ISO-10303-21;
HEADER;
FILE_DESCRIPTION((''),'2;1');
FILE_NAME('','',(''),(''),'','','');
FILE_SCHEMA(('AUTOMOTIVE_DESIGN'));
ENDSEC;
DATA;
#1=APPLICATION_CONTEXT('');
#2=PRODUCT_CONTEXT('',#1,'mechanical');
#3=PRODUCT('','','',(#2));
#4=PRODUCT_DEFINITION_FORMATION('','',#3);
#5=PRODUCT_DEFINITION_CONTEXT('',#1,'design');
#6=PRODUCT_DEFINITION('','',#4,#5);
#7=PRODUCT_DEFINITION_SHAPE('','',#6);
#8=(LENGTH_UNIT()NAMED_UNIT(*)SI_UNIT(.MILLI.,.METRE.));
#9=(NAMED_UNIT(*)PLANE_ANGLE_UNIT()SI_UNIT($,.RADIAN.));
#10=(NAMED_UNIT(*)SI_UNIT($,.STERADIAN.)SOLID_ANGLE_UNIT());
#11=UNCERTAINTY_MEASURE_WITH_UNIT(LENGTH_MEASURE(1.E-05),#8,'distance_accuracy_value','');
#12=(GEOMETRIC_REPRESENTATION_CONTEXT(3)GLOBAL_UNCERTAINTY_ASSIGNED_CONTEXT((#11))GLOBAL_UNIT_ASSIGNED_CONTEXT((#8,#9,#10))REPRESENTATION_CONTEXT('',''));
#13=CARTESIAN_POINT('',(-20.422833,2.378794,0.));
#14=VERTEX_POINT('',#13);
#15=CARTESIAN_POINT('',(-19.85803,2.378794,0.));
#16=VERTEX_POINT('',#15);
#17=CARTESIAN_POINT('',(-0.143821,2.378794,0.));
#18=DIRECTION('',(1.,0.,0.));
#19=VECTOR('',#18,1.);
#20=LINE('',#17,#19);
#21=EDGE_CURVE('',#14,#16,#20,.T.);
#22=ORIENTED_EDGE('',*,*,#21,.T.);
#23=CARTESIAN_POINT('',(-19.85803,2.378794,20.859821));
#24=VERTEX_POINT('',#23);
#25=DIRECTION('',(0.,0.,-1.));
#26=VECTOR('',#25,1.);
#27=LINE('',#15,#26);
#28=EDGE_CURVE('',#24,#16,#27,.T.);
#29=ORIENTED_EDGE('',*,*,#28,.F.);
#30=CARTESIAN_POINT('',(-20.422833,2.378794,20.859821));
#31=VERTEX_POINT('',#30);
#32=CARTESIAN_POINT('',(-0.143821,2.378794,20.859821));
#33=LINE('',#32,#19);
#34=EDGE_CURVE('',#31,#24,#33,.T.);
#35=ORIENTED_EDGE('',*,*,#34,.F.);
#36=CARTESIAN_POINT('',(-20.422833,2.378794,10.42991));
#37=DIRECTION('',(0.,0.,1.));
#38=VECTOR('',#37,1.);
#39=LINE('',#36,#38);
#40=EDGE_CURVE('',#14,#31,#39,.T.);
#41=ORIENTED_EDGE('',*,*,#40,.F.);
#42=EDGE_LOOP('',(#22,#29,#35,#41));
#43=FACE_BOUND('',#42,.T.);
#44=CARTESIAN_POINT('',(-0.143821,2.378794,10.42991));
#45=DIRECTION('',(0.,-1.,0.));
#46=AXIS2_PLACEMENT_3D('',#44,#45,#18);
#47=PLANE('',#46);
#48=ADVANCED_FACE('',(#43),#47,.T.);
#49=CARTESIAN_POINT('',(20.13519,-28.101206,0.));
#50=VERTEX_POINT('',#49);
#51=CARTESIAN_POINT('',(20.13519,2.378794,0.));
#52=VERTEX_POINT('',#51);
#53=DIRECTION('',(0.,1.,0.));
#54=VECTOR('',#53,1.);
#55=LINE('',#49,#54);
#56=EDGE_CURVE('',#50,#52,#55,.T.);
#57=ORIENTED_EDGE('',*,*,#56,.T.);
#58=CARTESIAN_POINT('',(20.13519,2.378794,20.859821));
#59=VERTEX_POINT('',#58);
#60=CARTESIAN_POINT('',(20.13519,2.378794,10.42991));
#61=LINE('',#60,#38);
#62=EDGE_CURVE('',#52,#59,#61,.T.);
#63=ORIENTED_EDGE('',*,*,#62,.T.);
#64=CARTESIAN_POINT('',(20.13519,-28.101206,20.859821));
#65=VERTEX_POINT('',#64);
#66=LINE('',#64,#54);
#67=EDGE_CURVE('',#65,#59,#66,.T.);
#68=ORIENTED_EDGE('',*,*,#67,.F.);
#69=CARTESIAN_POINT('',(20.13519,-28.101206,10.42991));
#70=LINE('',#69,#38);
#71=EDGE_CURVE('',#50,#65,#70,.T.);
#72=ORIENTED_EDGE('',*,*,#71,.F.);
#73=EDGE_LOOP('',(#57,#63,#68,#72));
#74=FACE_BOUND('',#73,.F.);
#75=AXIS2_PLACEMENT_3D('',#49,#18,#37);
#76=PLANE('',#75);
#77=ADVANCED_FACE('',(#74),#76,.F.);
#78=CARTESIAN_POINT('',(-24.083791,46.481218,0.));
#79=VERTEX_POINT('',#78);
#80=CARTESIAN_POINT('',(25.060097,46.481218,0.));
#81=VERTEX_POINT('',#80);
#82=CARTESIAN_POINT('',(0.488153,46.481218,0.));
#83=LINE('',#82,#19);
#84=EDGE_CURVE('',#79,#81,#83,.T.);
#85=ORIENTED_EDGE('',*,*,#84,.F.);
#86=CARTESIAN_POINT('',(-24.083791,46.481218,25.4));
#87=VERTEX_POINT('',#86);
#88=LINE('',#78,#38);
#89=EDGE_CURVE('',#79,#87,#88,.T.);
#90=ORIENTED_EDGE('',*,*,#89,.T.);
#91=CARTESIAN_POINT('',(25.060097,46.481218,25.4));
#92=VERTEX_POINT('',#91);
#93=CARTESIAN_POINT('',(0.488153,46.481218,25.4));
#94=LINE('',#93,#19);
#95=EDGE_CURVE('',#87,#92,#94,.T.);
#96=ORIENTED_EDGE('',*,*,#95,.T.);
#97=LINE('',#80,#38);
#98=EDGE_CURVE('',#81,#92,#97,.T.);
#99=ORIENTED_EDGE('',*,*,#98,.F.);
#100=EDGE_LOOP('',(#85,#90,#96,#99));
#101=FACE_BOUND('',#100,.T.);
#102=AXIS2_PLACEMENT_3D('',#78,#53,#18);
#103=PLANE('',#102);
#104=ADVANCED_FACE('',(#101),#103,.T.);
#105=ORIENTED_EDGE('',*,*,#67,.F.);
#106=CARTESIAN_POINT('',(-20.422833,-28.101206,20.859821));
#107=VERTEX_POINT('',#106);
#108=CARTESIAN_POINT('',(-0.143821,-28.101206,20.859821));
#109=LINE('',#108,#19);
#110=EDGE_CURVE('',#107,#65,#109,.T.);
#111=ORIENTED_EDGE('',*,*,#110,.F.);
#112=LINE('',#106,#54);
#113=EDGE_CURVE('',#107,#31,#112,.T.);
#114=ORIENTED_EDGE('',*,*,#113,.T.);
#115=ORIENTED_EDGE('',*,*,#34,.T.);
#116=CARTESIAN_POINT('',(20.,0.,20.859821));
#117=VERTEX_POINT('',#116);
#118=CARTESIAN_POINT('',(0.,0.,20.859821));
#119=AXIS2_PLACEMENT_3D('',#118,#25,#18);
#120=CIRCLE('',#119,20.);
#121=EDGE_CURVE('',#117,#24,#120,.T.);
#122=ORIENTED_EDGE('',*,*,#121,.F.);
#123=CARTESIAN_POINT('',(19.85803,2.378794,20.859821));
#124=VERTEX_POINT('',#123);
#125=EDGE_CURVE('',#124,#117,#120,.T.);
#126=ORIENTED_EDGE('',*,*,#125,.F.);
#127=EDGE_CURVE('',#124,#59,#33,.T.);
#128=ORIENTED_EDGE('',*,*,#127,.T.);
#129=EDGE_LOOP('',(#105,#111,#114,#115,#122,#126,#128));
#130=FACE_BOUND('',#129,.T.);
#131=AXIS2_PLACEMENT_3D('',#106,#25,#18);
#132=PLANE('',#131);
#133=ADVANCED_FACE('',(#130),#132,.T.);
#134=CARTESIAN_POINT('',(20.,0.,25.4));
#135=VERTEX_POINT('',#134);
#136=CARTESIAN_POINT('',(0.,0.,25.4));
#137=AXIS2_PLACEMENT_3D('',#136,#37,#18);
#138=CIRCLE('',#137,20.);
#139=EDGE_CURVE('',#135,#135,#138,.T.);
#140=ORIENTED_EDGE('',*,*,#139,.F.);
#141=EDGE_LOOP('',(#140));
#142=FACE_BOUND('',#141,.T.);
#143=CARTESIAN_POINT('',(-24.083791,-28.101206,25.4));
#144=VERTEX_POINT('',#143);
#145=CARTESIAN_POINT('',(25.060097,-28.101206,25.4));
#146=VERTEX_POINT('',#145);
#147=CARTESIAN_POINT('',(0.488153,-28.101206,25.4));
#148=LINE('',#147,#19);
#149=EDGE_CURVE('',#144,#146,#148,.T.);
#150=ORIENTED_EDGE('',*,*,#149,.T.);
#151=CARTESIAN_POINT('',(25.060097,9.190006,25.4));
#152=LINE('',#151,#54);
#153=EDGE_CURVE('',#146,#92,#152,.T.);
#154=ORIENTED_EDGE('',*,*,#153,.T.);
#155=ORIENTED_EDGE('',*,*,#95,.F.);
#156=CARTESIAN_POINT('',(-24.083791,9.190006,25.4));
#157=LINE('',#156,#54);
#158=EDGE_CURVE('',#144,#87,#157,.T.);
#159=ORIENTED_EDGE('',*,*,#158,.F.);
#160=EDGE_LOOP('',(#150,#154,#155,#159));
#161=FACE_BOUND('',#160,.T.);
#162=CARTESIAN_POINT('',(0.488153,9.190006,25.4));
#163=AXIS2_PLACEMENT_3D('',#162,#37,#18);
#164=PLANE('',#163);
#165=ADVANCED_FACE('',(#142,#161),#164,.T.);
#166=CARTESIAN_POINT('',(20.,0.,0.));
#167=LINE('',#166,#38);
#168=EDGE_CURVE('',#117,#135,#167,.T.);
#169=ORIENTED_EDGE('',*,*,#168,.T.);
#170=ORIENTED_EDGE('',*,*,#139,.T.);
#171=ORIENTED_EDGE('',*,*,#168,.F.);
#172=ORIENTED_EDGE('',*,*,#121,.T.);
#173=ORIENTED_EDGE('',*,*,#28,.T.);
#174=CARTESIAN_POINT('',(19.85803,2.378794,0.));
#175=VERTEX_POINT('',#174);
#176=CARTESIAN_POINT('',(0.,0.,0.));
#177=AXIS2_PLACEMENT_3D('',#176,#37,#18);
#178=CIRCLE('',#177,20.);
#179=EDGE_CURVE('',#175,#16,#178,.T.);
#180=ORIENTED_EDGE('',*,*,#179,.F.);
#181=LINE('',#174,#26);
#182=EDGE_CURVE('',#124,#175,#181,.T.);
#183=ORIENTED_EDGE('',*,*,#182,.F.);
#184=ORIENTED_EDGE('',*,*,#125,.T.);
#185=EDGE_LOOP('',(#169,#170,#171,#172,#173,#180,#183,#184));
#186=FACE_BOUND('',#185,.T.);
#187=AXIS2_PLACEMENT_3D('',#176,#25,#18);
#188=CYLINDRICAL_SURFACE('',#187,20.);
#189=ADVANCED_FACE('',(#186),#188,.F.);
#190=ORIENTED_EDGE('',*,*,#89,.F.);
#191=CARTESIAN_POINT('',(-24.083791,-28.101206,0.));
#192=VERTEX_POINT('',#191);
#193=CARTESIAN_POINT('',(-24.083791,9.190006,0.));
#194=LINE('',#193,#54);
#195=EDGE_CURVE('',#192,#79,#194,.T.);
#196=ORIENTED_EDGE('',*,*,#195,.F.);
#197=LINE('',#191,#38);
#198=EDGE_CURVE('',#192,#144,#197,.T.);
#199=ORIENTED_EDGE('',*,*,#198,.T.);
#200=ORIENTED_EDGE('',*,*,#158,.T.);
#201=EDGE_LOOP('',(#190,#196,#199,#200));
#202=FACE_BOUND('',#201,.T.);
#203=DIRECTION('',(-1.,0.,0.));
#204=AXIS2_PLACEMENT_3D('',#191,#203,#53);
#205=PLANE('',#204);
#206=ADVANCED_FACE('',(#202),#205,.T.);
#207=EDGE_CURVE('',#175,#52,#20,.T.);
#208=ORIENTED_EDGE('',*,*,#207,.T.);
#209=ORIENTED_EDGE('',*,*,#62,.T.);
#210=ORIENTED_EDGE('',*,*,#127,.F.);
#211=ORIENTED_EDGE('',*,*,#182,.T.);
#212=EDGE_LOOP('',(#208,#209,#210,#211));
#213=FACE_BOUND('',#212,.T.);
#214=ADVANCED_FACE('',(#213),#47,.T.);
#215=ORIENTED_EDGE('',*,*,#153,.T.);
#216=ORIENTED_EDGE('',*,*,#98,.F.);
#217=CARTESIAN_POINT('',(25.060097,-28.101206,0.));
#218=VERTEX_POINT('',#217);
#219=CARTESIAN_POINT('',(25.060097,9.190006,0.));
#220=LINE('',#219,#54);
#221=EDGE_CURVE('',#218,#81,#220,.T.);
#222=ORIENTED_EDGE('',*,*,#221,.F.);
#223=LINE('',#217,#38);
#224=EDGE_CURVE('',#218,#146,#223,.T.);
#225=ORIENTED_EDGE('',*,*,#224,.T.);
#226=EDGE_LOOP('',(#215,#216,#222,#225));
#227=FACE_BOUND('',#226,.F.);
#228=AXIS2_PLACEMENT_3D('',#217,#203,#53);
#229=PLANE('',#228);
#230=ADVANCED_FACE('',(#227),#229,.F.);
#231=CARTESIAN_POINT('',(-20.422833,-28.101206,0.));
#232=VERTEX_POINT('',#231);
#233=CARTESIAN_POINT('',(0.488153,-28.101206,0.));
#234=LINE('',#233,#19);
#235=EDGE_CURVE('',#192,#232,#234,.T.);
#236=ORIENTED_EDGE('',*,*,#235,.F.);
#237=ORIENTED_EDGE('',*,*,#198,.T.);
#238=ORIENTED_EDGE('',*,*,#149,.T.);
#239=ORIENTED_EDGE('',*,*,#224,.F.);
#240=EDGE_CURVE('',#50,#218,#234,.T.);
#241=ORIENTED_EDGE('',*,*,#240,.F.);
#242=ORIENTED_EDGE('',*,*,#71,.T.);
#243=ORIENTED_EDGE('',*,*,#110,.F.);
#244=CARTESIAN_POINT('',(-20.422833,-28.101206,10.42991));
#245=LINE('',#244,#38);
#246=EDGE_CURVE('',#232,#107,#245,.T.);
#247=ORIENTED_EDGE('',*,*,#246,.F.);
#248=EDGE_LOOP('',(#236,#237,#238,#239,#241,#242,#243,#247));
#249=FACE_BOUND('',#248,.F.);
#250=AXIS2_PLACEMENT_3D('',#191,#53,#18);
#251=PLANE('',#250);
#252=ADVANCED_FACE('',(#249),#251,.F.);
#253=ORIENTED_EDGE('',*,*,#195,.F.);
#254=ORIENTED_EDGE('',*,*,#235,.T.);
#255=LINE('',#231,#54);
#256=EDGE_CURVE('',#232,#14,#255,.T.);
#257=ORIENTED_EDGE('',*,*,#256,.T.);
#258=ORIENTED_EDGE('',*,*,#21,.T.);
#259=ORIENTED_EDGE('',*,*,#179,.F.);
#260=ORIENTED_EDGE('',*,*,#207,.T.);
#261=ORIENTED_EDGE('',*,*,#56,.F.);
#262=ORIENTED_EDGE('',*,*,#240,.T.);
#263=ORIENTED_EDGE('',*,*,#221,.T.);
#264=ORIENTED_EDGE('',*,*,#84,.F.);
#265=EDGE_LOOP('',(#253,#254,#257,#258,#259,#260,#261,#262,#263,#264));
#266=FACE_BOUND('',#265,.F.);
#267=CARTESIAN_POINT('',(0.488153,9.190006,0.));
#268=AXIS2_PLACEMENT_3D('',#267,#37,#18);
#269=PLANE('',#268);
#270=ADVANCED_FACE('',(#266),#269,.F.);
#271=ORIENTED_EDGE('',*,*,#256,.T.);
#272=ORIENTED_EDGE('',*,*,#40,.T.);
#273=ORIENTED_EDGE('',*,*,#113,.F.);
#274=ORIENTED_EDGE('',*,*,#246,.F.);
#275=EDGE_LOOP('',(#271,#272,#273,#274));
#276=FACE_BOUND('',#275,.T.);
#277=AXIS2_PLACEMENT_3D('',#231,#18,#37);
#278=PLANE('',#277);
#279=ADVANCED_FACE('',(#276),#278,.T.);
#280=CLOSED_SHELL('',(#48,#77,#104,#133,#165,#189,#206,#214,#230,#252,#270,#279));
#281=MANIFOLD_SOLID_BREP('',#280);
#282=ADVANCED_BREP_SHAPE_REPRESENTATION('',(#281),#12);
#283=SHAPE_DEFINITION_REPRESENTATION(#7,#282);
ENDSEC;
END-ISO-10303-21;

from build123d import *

# Parameters (mm, degrees)
F1_W     = 49.1438880563
F1_H     = 74.5824240148
F1_R     = 20
F2_DEPTH = 25.4
F3_W     = 40.5580233783
F3_H     = 20.8598207682
F4_DEPTH = 30.48


with BuildPart() as f2:
    # F1 (on face) → F2 (new body)
    with BuildSketch(Plane.XY):
        with Locations((0.4881527275, 9.1900061816)):
            Rectangle(F1_W, F1_H)
        Circle(F1_R, mode=Mode.SUBTRACT)
    extrude(amount=F2_DEPTH)

    # F3 (on face) → F4 (cut)
    with BuildSketch(Plane.XZ.offset(28.1012058258)):
        with Locations((-0.1438213512, 10.4299103841)):
            Rectangle(F3_W, F3_H)
    extrude(amount=-F4_DEPTH, mode=Mode.SUBTRACT)


solid = f2.part
